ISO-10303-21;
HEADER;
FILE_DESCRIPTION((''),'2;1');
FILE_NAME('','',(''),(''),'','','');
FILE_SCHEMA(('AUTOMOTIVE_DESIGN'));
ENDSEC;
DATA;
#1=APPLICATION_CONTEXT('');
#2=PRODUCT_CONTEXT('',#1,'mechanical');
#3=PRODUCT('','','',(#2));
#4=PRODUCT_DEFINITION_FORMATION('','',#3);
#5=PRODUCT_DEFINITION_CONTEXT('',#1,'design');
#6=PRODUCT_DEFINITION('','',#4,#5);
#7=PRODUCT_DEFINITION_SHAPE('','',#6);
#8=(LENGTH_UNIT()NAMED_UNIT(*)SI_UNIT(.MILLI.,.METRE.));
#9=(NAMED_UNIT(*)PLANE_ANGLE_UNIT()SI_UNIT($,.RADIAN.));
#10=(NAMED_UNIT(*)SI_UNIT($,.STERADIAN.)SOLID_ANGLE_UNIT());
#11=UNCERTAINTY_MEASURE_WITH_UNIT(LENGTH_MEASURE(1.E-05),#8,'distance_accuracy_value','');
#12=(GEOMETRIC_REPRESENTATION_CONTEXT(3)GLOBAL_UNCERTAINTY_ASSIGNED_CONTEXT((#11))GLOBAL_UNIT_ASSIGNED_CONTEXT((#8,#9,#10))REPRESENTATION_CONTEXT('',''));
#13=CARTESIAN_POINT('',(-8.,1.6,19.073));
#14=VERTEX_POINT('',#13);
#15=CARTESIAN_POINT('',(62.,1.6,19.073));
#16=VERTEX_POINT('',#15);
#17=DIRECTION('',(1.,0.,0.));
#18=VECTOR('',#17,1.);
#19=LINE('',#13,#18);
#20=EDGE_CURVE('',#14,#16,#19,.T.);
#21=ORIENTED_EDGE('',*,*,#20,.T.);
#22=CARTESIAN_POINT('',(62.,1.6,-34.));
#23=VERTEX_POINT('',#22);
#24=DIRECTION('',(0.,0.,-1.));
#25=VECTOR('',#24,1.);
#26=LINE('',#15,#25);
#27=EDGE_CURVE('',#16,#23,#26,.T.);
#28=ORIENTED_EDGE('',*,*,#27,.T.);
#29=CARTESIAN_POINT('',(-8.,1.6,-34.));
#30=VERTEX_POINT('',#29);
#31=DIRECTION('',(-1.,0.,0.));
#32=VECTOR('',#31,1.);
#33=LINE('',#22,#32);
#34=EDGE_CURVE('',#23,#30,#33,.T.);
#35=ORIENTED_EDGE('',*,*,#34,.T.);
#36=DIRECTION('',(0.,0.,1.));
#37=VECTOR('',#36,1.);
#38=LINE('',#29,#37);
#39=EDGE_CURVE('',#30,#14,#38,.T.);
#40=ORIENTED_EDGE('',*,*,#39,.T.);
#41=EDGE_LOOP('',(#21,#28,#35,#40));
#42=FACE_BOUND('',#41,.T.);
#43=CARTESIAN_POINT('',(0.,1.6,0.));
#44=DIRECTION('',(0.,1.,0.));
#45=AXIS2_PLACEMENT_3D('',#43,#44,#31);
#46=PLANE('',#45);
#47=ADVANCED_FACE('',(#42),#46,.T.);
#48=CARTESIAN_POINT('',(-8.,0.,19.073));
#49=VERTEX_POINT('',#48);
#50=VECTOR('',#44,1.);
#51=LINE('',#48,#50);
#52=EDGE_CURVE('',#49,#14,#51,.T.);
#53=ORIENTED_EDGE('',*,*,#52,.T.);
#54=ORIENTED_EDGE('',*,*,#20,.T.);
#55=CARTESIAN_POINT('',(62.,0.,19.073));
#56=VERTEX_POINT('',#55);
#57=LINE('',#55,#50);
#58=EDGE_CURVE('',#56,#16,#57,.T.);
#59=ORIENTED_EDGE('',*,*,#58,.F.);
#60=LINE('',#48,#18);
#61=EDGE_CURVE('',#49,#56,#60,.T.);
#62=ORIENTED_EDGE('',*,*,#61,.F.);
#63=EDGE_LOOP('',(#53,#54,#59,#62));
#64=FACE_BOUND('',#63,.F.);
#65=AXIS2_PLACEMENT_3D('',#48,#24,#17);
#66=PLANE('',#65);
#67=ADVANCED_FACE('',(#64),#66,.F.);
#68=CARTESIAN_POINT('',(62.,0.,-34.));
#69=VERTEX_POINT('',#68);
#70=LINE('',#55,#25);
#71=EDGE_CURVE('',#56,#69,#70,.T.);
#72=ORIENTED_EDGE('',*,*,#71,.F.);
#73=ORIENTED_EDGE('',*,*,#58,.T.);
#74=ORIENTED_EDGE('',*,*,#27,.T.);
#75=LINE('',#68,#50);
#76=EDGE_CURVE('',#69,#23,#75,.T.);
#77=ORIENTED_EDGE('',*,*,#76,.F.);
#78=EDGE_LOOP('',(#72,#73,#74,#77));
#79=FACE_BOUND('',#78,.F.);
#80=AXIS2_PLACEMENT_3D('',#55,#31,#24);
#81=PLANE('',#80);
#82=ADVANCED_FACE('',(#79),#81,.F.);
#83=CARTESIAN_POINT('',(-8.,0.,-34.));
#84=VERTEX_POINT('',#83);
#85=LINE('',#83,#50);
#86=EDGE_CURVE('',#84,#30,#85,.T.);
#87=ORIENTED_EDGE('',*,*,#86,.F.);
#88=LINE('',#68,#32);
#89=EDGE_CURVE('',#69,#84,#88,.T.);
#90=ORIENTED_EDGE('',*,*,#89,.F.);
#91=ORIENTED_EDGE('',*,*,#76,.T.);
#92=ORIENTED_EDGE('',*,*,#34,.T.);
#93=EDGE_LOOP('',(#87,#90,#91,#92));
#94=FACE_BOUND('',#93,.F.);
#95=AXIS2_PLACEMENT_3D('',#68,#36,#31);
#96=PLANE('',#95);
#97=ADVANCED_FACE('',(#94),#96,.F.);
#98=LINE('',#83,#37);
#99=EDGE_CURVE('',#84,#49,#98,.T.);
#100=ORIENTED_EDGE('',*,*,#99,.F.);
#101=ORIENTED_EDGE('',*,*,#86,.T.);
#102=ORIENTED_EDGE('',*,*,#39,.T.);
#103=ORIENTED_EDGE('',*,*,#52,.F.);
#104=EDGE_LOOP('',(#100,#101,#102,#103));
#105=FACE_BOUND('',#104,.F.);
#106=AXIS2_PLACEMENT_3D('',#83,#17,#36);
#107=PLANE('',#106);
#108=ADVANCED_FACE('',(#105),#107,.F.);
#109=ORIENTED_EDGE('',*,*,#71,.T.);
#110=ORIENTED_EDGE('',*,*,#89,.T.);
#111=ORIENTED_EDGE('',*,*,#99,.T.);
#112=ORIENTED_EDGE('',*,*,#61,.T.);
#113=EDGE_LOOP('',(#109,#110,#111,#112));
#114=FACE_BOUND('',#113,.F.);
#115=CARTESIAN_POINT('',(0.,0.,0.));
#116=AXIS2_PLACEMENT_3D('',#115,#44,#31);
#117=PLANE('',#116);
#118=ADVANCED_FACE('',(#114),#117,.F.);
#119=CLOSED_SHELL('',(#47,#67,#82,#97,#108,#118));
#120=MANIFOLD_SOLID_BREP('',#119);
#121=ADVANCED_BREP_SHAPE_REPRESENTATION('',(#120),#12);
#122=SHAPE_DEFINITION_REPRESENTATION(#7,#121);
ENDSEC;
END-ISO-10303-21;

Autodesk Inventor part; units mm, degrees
ref_plane "YZ Plane" through (0, 0, 0) normal (1, 0, 0) x (0, 1, 0)
ref_plane "XZ Plane" through (0, 0, 0) normal (0, 1, 0) x (-1, 0, 0)
ref_plane "XY Plane" through (0, 0, 0) normal (0, 0, 1) x (1, 0, 0)
sketch "Szkic1" plane through (0, 0, 0) normal (0, 1, 0) x (-1, 0, 0)
  line L0 (8, 19.073) -> (-62, 19.073)
  line L1 (-62, 19.073) -> (-62, -34)
  line L2 (-62, -34) -> (8, -34)
  line L3 (8, -34) -> (8, 19.073)
  point P0 (0, 0)
  dimension "d0" = 70
  dimension "d1" = 53.073
extrude "Wyciągnięcie proste1" add sketch "Szkic1" along normal blind 1.6
properties part number "PCB_MAIN"
